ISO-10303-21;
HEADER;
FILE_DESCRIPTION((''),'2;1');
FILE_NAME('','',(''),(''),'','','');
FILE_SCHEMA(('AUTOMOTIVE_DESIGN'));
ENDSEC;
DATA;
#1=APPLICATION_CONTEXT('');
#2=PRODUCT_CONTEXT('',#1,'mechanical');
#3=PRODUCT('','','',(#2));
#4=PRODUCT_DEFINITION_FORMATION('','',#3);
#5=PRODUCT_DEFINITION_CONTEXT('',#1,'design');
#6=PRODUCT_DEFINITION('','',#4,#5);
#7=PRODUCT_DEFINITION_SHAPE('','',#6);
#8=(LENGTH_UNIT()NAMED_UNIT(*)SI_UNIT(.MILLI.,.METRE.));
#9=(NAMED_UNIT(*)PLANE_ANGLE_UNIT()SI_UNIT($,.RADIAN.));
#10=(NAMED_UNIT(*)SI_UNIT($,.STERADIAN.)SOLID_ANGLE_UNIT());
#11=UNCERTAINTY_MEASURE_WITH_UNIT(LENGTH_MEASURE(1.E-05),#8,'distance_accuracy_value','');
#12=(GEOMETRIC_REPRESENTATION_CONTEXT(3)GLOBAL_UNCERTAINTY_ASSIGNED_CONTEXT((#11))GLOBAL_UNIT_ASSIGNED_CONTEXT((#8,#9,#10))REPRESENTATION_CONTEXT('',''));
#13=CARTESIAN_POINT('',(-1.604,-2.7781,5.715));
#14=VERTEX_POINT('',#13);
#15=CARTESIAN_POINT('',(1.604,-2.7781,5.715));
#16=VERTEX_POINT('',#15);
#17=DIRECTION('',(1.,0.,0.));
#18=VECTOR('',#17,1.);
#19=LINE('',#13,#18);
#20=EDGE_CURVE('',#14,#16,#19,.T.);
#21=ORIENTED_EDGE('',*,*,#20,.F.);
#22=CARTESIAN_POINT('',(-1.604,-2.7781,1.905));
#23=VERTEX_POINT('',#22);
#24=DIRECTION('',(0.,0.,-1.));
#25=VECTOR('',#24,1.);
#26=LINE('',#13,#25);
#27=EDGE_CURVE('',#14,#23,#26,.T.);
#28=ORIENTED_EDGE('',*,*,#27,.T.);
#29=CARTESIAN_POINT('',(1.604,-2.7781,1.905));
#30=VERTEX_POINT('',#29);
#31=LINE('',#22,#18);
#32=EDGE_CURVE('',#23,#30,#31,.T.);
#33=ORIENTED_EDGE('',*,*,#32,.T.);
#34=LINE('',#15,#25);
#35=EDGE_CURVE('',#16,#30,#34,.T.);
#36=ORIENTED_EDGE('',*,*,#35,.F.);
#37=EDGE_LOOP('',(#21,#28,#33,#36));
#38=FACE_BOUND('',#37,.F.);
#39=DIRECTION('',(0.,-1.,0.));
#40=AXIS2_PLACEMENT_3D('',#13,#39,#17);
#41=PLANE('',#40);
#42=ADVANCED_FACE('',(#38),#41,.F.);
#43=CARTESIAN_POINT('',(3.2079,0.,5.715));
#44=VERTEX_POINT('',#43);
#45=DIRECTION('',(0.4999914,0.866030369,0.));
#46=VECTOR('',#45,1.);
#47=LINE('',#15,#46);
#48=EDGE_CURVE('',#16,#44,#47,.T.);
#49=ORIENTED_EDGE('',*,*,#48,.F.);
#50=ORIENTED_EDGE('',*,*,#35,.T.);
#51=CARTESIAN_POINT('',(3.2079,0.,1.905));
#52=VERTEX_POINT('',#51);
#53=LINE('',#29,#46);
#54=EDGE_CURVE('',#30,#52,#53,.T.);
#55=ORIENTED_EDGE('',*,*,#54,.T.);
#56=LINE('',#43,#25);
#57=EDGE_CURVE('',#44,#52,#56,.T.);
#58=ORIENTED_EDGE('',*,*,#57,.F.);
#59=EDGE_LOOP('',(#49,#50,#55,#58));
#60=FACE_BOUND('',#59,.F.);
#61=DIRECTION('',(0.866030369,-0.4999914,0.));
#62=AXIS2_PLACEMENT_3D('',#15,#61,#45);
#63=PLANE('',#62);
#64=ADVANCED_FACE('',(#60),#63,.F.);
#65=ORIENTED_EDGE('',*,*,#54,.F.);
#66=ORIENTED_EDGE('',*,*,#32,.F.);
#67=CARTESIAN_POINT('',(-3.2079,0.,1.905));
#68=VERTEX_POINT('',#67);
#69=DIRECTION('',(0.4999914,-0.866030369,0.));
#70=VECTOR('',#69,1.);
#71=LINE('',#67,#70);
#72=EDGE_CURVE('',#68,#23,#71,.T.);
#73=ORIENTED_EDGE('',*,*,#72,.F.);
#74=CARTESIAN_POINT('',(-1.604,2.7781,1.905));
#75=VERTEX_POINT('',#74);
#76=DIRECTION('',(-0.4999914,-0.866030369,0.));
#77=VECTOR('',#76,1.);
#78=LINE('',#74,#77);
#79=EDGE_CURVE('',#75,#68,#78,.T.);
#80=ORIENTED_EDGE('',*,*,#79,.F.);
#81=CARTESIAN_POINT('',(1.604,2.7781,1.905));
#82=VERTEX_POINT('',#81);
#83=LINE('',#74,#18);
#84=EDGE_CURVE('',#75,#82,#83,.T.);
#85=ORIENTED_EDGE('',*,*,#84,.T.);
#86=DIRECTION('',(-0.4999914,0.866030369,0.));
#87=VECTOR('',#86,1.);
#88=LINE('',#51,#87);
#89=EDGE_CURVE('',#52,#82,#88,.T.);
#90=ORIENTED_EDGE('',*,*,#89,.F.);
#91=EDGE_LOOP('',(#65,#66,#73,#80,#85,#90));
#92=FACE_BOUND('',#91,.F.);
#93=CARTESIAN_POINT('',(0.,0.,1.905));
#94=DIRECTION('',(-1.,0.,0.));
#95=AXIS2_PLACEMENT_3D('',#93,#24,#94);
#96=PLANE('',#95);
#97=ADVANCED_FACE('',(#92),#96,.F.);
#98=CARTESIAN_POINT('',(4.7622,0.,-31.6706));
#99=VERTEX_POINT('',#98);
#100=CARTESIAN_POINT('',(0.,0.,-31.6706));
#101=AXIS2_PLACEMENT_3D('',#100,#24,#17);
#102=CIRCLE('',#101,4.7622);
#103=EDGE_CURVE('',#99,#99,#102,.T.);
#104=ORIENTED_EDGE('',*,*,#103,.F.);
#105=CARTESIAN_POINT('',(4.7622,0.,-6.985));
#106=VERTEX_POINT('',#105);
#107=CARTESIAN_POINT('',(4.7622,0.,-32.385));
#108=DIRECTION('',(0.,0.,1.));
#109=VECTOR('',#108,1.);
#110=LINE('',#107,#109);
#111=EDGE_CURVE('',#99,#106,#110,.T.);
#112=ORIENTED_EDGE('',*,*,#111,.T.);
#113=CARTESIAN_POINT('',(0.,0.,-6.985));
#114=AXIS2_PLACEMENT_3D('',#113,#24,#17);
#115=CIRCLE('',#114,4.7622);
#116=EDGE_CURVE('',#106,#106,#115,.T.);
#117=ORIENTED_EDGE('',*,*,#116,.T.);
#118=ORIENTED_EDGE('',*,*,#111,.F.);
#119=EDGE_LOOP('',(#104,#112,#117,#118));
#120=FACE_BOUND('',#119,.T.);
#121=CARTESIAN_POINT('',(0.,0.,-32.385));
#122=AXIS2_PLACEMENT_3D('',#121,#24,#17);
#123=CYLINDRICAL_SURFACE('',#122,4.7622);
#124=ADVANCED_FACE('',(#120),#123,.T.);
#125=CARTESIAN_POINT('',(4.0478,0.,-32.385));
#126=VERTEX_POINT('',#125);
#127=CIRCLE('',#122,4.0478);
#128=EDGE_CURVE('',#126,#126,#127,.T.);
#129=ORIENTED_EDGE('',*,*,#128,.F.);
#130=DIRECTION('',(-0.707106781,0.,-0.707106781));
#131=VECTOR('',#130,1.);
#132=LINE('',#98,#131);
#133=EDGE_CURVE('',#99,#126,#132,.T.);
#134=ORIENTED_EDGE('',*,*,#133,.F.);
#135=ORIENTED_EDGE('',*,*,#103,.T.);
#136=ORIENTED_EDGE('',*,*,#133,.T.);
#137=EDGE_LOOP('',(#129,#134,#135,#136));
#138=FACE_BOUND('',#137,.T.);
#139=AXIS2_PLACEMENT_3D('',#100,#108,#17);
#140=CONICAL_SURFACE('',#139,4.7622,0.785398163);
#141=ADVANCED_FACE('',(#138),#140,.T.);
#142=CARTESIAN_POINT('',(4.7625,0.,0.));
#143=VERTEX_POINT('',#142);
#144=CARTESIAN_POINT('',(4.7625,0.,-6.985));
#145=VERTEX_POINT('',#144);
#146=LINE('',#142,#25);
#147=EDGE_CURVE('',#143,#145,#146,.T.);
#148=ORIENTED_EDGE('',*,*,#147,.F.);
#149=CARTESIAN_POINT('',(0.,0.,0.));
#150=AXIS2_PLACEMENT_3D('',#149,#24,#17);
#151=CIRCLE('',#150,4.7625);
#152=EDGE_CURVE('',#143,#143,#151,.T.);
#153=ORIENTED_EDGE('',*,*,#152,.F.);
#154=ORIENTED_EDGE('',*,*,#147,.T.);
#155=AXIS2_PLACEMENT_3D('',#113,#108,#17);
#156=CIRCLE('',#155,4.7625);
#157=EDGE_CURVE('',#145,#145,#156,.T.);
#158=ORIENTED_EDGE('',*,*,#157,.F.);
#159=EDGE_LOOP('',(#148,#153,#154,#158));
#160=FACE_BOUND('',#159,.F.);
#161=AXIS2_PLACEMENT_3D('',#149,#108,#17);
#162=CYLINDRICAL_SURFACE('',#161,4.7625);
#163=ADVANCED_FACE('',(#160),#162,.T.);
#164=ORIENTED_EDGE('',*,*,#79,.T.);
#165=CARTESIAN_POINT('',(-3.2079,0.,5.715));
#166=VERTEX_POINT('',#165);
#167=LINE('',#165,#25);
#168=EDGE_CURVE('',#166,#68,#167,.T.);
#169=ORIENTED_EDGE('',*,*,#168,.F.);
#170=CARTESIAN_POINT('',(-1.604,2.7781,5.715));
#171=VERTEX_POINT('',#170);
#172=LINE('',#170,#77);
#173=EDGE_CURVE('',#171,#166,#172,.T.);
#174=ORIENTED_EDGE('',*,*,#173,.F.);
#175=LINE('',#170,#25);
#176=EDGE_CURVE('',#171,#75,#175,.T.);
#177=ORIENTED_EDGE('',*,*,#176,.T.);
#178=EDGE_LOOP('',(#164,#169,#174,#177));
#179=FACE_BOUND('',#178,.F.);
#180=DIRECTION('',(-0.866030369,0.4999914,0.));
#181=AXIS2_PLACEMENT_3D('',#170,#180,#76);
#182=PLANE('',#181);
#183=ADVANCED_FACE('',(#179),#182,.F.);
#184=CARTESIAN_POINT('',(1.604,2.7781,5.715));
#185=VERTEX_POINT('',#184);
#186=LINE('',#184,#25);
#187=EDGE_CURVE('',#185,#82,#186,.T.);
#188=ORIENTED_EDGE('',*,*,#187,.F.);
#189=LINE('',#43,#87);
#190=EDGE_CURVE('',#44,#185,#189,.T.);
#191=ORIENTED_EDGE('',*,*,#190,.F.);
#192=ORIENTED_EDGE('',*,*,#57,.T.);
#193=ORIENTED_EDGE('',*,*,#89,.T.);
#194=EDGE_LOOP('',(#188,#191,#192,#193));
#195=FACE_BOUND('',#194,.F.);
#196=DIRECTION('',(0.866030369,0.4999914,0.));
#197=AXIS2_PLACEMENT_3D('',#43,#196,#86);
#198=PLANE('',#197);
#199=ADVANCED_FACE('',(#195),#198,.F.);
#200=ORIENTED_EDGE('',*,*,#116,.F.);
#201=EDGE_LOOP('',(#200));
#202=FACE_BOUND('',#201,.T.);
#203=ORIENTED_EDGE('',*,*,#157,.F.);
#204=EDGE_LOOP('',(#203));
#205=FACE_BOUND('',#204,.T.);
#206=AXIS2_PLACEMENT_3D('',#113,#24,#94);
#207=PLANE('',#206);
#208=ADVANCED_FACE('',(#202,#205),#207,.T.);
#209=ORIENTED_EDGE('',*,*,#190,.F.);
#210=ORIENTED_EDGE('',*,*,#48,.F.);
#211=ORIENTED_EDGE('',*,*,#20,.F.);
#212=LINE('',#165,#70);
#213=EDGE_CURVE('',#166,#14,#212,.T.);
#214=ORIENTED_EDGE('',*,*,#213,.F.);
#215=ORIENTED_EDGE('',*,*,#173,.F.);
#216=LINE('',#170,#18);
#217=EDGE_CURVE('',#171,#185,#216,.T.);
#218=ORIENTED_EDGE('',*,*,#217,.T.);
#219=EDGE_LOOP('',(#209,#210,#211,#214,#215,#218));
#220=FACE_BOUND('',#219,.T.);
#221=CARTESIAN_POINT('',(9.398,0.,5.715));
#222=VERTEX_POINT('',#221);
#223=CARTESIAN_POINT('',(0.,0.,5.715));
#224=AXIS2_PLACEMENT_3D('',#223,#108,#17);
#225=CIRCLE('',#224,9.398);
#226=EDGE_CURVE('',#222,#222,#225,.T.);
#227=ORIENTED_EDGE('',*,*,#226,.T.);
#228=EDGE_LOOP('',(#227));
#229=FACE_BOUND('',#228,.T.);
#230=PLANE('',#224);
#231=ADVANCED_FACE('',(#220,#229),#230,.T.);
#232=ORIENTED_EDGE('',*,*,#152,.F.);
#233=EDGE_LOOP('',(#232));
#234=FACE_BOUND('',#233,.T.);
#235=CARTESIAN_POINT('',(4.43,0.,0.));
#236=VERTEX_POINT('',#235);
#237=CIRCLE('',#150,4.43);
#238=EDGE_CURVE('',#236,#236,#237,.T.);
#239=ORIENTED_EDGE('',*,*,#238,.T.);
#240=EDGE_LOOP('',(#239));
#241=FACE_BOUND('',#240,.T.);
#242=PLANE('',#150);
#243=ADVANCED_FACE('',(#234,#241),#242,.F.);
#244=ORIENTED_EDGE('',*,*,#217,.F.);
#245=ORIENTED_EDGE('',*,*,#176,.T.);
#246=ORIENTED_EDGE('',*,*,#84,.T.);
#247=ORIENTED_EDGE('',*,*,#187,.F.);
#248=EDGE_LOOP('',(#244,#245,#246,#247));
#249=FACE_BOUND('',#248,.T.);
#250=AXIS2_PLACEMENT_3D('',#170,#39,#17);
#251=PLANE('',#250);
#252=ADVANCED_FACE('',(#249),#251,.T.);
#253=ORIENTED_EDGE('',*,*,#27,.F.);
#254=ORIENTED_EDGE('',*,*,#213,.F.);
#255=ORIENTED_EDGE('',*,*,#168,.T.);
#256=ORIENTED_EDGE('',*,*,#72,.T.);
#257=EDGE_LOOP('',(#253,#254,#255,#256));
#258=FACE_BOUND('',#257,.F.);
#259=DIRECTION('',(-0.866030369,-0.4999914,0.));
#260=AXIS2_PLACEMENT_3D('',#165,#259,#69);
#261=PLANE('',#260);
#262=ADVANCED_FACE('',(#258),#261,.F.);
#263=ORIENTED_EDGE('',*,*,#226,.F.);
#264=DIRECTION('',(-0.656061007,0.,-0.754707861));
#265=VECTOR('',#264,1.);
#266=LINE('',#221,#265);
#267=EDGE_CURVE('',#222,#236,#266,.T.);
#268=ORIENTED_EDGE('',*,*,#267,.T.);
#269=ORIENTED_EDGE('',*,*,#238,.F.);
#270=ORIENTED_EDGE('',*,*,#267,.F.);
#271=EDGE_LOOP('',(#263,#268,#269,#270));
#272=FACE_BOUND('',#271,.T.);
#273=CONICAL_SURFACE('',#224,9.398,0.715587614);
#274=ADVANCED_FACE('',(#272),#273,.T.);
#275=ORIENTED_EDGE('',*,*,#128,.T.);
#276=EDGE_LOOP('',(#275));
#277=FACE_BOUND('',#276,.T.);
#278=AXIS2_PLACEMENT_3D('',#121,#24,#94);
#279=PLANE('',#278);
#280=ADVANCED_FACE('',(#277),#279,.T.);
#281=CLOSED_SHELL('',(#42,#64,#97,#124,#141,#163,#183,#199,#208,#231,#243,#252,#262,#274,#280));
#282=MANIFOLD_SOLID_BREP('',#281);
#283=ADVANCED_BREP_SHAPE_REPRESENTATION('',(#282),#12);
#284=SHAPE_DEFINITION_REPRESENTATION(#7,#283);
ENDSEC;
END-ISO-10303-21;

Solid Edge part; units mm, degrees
sketch "Sketch1" plane through (0, 0, 0) normal (0, 0, 1) x (1, 0, 0)
  circle A0 centre (0, 0) radius 9.398
  dimension "D1" = 18.796
extrude "Protrusion1" add sketch "Sketch1" along normal blind 5.715
sketch "Sketch2" plane through (0, 0, 0) normal (0, 0, -1) x (1, 0, 0)
  circle A0 centre (0, 0) radius 4.7625
extrude "Protrusion2" add sketch "Sketch2" along normal blind 32.385
sketch "Sketch3" plane through (0, 0, -32.385) normal (0, 0, -1) x (1, 0, 0)
  circle A0 centre (0, 0) radius 4.7622
extrude "Cutout1" cut sketch "Sketch3" against normal blind 25.4 flip side to cut
chamfer "Chamfer_1" distance 0.7144 angle 45 1 edges at (-4.7622, 0, -32.385)
sketch "Sketch4" plane through (0, 0, 5.715) normal (0, 0, 1) x (1, 0, 0)
  line L0 (-1.604, 2.7781) -> (1.604, 2.7781)
  line L1 (3.2079, 0) -> (1.604, 2.7781)
  line L2 (1.604, -2.7781) -> (3.2079, 0)
  line L3 (-1.604, -2.7781) -> (1.604, -2.7781)
  line L4 (-3.2079, 0) -> (-1.604, -2.7781)
  line L5 (-1.604, 2.7781) -> (-3.2079, 0)
  dimension "D1" = 5.5562
extrude "Cutout2" cut sketch "Sketch4" against normal blind 3.81
sketch "Sketch5" plane through (0, 0, 0) normal (0, -1, 0) x (1, 0, 0)
  line L0 (9.398, 5.715) -> (4.43, 0)
  line L1 (4.43, 0) -> (9.398, 0)
  line L2 (9.398, 0) -> (9.398, 5.715)
revolve "RevolvedCutout1" cut sketch "Sketch5" angle 360 about axis through (0, 0, 14.0017) along (0, 0, -1)
properties part number "24103507"
